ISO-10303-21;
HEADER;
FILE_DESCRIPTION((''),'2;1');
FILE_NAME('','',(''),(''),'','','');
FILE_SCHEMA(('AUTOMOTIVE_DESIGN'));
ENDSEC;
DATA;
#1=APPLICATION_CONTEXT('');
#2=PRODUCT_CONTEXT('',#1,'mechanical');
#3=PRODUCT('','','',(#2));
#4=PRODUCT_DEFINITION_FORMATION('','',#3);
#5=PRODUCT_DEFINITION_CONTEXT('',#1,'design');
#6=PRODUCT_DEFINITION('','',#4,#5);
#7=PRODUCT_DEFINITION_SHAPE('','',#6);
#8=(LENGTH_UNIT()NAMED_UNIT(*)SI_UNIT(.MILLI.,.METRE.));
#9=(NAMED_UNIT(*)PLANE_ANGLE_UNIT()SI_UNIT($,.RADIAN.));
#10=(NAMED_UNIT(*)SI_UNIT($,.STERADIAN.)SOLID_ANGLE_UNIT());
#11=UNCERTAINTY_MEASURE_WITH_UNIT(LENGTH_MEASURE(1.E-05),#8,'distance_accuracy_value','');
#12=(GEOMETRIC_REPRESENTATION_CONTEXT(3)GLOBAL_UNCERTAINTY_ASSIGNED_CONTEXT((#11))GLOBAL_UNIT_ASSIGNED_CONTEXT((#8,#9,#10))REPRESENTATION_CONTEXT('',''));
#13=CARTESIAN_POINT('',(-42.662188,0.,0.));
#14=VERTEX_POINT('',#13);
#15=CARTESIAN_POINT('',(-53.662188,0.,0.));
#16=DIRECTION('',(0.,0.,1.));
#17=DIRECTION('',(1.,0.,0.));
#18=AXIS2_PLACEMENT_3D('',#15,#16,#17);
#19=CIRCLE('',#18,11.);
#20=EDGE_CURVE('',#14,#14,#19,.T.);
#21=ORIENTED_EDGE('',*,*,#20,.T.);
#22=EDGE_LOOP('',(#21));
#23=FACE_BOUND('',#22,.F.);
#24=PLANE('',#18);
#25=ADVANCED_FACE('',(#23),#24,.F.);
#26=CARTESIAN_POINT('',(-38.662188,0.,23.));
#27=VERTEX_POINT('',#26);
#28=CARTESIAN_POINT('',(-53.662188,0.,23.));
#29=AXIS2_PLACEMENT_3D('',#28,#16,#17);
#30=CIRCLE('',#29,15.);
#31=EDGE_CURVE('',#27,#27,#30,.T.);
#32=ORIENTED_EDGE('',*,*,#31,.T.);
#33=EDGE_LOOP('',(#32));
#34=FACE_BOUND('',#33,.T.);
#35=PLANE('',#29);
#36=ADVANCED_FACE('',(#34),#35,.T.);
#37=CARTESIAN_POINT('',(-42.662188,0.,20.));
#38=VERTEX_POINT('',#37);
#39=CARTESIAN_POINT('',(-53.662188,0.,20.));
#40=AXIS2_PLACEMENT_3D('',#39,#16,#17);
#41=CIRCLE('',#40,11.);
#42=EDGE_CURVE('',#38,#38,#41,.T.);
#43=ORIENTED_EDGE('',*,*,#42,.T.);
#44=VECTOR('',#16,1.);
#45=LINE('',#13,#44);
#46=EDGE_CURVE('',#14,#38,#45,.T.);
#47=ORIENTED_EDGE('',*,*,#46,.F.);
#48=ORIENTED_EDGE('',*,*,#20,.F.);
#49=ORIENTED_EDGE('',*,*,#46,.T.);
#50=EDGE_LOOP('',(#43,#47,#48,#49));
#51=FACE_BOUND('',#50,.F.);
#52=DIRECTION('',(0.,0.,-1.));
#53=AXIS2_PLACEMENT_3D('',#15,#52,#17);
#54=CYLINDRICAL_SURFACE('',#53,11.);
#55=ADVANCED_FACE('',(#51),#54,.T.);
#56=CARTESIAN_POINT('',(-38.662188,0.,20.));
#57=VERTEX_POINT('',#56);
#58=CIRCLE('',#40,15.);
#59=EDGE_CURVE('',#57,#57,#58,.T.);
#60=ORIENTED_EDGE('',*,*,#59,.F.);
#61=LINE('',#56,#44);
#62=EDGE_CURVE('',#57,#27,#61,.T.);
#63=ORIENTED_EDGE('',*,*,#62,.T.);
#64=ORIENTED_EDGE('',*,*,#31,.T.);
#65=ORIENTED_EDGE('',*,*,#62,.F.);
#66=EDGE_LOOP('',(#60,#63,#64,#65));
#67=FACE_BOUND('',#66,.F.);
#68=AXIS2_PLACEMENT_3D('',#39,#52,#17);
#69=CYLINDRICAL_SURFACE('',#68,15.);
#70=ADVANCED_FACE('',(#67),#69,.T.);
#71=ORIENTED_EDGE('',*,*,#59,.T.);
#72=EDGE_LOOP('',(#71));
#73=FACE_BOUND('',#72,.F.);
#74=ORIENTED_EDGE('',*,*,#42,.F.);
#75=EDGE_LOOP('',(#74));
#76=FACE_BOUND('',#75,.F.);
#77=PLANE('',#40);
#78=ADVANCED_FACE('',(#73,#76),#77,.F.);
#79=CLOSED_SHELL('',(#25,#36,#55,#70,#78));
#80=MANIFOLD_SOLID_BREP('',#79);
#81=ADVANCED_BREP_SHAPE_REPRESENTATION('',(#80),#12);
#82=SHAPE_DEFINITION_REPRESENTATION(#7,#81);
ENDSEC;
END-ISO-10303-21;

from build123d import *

# Parameters (mm, degrees)
F0_R     = 11
F1_DEPTH = 20
F2_R     = 15
F2_R_2   = 11
F3_DEPTH = 3


with BuildPart() as f1:
    # F0 (on Top) → F1 (new body)
    with BuildSketch(Plane.XY):
        with Locations((-53.662188, 0)):
            Circle(F0_R)
    extrude(amount=F1_DEPTH)

    # F2 (on face) → F3 (join)
    with BuildSketch(Plane.XY.offset(20)):
        with Locations((-53.662188, 0)):
            Circle(F2_R)
        with Locations((-53.662188, 0)):
            Circle(F2_R_2, mode=Mode.SUBTRACT)
        with Locations((-53.662188, 0)):
            Circle(F2_R_2)
    extrude(amount=F3_DEPTH)


solid = f1.part
